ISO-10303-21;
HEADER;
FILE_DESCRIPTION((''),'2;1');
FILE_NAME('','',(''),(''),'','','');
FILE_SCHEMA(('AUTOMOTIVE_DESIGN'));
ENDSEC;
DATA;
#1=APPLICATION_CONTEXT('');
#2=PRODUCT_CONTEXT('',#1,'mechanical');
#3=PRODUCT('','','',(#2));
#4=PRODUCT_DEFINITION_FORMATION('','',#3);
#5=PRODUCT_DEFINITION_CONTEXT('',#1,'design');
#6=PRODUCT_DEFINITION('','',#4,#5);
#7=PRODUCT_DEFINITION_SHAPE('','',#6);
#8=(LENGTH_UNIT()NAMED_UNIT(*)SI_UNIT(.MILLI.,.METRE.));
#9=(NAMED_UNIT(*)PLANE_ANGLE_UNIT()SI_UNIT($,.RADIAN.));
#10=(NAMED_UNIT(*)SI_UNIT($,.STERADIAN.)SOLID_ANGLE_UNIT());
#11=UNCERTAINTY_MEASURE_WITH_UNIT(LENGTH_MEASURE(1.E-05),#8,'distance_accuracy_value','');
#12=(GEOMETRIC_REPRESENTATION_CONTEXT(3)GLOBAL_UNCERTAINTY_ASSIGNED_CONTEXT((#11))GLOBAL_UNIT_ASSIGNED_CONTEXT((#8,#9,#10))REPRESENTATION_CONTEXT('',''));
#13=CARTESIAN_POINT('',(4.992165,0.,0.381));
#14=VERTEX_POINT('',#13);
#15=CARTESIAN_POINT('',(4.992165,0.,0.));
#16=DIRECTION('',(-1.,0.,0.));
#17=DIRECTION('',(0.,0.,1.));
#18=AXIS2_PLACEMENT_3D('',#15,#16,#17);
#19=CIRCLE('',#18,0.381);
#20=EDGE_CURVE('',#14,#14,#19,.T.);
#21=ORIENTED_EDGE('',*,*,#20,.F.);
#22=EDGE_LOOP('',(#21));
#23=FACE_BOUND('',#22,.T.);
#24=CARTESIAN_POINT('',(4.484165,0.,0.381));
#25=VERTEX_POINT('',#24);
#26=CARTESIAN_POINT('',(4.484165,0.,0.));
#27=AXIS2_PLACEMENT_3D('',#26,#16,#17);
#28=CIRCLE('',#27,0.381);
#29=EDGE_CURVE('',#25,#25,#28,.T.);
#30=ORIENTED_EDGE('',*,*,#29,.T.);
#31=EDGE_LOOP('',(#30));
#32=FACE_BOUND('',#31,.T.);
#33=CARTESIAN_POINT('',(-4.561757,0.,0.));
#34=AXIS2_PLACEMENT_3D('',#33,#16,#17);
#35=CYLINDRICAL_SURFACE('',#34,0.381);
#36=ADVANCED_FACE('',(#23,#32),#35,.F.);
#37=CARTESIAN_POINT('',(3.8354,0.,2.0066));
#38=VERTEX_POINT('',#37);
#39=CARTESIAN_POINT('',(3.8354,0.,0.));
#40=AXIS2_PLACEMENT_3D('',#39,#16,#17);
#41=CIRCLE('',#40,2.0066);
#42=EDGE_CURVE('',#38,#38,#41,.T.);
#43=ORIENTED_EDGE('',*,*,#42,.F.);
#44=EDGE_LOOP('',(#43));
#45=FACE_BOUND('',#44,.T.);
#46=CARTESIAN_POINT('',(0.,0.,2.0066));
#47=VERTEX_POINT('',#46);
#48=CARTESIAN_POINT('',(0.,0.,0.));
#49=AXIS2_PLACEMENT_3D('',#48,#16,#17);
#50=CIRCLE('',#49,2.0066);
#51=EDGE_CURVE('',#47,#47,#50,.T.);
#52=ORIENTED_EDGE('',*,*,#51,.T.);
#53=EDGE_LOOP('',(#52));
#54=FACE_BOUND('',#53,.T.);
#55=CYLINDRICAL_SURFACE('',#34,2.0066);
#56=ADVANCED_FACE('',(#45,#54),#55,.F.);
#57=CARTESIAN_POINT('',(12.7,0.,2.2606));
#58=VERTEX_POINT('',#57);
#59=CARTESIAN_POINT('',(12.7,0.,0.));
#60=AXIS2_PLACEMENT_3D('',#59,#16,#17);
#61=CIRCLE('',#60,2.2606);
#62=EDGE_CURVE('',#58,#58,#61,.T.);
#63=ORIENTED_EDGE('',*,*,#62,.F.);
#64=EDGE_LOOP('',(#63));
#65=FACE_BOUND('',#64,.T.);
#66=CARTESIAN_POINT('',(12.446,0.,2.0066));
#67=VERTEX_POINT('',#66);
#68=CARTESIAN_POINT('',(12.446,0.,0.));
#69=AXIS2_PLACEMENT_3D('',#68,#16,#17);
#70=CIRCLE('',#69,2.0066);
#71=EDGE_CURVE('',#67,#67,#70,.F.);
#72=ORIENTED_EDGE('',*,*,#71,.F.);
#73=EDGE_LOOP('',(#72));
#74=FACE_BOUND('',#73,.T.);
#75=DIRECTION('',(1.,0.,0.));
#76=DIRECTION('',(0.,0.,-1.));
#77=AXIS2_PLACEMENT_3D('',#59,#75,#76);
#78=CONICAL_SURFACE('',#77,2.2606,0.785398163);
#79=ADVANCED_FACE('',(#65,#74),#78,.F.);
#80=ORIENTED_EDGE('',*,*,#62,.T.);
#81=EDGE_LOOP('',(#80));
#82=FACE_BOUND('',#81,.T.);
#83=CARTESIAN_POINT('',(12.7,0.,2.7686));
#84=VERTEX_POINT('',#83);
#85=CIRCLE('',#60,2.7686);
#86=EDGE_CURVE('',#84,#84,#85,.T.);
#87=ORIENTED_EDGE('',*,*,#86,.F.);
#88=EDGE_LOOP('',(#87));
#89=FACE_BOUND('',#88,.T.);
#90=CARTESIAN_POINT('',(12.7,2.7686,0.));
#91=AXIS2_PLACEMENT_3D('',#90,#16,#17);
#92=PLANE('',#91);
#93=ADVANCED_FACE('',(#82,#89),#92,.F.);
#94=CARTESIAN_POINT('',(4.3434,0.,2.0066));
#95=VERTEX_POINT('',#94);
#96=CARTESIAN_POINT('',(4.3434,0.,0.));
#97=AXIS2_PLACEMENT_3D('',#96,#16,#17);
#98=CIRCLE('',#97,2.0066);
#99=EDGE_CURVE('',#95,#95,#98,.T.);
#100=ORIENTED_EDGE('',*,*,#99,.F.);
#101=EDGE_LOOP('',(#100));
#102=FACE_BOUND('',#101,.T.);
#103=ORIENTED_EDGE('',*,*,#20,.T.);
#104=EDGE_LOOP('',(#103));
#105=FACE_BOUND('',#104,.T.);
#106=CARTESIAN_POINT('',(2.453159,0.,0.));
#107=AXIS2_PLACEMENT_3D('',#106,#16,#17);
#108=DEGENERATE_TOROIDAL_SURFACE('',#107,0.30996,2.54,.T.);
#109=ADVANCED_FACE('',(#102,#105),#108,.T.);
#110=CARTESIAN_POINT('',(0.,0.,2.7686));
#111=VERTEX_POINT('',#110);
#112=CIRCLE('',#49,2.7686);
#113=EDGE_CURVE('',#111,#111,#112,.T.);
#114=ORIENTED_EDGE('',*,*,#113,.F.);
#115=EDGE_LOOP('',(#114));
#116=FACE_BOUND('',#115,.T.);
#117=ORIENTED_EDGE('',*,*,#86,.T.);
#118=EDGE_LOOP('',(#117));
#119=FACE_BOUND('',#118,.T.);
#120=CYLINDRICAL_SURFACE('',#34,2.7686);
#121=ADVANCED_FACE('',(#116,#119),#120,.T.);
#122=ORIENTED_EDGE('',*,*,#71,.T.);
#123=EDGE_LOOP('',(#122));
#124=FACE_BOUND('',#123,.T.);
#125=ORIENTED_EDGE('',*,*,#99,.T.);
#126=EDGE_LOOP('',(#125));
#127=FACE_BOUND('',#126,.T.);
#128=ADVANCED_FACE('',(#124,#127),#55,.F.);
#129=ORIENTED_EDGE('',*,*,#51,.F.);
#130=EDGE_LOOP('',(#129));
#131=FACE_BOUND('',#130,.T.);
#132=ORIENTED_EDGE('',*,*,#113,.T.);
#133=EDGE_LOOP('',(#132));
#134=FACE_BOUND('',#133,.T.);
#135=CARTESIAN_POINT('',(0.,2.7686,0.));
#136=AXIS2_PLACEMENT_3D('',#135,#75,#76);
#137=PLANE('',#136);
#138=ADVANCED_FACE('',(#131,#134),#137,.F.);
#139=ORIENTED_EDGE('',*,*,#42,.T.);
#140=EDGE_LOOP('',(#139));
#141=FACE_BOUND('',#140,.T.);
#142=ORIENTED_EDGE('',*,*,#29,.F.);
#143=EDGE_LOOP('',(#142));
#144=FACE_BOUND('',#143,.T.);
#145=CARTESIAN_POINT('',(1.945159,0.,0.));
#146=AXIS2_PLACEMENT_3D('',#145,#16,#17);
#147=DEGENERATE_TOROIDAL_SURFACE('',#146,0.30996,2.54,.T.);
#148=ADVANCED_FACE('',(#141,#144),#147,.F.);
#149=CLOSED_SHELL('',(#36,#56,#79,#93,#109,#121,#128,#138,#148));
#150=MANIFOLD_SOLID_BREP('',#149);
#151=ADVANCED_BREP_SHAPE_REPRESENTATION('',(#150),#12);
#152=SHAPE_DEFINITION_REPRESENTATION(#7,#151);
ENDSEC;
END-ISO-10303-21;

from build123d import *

# Parameters (mm, degrees)
CHAMFER1_SIZE = 0.254


with BuildPart() as part:
    # Sketch1 → Revolve1 (revolve)
    with BuildSketch(Plane.XY):
        with BuildLine():
            Line((0, 2.7686), (12.7, 2.7686))
            Line((12.7, 2.7686), (12.7, 2.0066))
            Line((12.7, 2.0066), (4.3434, 2.0066))
            ThreePointArc((4.3434, 2.0066), (4.81222687, 1.251446675), (4.992165092, 0.381))
            Line((4.992165092, 0.381), (4.484165092, 0.381))
            ThreePointArc((4.484165092, 0.381), (4.30422687, 1.251446675), (3.8354, 2.0066))
            Line((3.8354, 2.0066), (0, 2.0066))
            Line((0, 2.0066), (0, 2.7686))
        make_face()
    revolve(axis=Axis((-4.561757333, 0, 0), (1, 0, 0)))

    # Chamfer1
    chamfer1_edges = [part.edges().sort_by_distance(p)[0] for p in [
        (12.7, -2.0066, 0),
    ]]
    chamfer(chamfer1_edges, length=CHAMFER1_SIZE)


solid = part.part
